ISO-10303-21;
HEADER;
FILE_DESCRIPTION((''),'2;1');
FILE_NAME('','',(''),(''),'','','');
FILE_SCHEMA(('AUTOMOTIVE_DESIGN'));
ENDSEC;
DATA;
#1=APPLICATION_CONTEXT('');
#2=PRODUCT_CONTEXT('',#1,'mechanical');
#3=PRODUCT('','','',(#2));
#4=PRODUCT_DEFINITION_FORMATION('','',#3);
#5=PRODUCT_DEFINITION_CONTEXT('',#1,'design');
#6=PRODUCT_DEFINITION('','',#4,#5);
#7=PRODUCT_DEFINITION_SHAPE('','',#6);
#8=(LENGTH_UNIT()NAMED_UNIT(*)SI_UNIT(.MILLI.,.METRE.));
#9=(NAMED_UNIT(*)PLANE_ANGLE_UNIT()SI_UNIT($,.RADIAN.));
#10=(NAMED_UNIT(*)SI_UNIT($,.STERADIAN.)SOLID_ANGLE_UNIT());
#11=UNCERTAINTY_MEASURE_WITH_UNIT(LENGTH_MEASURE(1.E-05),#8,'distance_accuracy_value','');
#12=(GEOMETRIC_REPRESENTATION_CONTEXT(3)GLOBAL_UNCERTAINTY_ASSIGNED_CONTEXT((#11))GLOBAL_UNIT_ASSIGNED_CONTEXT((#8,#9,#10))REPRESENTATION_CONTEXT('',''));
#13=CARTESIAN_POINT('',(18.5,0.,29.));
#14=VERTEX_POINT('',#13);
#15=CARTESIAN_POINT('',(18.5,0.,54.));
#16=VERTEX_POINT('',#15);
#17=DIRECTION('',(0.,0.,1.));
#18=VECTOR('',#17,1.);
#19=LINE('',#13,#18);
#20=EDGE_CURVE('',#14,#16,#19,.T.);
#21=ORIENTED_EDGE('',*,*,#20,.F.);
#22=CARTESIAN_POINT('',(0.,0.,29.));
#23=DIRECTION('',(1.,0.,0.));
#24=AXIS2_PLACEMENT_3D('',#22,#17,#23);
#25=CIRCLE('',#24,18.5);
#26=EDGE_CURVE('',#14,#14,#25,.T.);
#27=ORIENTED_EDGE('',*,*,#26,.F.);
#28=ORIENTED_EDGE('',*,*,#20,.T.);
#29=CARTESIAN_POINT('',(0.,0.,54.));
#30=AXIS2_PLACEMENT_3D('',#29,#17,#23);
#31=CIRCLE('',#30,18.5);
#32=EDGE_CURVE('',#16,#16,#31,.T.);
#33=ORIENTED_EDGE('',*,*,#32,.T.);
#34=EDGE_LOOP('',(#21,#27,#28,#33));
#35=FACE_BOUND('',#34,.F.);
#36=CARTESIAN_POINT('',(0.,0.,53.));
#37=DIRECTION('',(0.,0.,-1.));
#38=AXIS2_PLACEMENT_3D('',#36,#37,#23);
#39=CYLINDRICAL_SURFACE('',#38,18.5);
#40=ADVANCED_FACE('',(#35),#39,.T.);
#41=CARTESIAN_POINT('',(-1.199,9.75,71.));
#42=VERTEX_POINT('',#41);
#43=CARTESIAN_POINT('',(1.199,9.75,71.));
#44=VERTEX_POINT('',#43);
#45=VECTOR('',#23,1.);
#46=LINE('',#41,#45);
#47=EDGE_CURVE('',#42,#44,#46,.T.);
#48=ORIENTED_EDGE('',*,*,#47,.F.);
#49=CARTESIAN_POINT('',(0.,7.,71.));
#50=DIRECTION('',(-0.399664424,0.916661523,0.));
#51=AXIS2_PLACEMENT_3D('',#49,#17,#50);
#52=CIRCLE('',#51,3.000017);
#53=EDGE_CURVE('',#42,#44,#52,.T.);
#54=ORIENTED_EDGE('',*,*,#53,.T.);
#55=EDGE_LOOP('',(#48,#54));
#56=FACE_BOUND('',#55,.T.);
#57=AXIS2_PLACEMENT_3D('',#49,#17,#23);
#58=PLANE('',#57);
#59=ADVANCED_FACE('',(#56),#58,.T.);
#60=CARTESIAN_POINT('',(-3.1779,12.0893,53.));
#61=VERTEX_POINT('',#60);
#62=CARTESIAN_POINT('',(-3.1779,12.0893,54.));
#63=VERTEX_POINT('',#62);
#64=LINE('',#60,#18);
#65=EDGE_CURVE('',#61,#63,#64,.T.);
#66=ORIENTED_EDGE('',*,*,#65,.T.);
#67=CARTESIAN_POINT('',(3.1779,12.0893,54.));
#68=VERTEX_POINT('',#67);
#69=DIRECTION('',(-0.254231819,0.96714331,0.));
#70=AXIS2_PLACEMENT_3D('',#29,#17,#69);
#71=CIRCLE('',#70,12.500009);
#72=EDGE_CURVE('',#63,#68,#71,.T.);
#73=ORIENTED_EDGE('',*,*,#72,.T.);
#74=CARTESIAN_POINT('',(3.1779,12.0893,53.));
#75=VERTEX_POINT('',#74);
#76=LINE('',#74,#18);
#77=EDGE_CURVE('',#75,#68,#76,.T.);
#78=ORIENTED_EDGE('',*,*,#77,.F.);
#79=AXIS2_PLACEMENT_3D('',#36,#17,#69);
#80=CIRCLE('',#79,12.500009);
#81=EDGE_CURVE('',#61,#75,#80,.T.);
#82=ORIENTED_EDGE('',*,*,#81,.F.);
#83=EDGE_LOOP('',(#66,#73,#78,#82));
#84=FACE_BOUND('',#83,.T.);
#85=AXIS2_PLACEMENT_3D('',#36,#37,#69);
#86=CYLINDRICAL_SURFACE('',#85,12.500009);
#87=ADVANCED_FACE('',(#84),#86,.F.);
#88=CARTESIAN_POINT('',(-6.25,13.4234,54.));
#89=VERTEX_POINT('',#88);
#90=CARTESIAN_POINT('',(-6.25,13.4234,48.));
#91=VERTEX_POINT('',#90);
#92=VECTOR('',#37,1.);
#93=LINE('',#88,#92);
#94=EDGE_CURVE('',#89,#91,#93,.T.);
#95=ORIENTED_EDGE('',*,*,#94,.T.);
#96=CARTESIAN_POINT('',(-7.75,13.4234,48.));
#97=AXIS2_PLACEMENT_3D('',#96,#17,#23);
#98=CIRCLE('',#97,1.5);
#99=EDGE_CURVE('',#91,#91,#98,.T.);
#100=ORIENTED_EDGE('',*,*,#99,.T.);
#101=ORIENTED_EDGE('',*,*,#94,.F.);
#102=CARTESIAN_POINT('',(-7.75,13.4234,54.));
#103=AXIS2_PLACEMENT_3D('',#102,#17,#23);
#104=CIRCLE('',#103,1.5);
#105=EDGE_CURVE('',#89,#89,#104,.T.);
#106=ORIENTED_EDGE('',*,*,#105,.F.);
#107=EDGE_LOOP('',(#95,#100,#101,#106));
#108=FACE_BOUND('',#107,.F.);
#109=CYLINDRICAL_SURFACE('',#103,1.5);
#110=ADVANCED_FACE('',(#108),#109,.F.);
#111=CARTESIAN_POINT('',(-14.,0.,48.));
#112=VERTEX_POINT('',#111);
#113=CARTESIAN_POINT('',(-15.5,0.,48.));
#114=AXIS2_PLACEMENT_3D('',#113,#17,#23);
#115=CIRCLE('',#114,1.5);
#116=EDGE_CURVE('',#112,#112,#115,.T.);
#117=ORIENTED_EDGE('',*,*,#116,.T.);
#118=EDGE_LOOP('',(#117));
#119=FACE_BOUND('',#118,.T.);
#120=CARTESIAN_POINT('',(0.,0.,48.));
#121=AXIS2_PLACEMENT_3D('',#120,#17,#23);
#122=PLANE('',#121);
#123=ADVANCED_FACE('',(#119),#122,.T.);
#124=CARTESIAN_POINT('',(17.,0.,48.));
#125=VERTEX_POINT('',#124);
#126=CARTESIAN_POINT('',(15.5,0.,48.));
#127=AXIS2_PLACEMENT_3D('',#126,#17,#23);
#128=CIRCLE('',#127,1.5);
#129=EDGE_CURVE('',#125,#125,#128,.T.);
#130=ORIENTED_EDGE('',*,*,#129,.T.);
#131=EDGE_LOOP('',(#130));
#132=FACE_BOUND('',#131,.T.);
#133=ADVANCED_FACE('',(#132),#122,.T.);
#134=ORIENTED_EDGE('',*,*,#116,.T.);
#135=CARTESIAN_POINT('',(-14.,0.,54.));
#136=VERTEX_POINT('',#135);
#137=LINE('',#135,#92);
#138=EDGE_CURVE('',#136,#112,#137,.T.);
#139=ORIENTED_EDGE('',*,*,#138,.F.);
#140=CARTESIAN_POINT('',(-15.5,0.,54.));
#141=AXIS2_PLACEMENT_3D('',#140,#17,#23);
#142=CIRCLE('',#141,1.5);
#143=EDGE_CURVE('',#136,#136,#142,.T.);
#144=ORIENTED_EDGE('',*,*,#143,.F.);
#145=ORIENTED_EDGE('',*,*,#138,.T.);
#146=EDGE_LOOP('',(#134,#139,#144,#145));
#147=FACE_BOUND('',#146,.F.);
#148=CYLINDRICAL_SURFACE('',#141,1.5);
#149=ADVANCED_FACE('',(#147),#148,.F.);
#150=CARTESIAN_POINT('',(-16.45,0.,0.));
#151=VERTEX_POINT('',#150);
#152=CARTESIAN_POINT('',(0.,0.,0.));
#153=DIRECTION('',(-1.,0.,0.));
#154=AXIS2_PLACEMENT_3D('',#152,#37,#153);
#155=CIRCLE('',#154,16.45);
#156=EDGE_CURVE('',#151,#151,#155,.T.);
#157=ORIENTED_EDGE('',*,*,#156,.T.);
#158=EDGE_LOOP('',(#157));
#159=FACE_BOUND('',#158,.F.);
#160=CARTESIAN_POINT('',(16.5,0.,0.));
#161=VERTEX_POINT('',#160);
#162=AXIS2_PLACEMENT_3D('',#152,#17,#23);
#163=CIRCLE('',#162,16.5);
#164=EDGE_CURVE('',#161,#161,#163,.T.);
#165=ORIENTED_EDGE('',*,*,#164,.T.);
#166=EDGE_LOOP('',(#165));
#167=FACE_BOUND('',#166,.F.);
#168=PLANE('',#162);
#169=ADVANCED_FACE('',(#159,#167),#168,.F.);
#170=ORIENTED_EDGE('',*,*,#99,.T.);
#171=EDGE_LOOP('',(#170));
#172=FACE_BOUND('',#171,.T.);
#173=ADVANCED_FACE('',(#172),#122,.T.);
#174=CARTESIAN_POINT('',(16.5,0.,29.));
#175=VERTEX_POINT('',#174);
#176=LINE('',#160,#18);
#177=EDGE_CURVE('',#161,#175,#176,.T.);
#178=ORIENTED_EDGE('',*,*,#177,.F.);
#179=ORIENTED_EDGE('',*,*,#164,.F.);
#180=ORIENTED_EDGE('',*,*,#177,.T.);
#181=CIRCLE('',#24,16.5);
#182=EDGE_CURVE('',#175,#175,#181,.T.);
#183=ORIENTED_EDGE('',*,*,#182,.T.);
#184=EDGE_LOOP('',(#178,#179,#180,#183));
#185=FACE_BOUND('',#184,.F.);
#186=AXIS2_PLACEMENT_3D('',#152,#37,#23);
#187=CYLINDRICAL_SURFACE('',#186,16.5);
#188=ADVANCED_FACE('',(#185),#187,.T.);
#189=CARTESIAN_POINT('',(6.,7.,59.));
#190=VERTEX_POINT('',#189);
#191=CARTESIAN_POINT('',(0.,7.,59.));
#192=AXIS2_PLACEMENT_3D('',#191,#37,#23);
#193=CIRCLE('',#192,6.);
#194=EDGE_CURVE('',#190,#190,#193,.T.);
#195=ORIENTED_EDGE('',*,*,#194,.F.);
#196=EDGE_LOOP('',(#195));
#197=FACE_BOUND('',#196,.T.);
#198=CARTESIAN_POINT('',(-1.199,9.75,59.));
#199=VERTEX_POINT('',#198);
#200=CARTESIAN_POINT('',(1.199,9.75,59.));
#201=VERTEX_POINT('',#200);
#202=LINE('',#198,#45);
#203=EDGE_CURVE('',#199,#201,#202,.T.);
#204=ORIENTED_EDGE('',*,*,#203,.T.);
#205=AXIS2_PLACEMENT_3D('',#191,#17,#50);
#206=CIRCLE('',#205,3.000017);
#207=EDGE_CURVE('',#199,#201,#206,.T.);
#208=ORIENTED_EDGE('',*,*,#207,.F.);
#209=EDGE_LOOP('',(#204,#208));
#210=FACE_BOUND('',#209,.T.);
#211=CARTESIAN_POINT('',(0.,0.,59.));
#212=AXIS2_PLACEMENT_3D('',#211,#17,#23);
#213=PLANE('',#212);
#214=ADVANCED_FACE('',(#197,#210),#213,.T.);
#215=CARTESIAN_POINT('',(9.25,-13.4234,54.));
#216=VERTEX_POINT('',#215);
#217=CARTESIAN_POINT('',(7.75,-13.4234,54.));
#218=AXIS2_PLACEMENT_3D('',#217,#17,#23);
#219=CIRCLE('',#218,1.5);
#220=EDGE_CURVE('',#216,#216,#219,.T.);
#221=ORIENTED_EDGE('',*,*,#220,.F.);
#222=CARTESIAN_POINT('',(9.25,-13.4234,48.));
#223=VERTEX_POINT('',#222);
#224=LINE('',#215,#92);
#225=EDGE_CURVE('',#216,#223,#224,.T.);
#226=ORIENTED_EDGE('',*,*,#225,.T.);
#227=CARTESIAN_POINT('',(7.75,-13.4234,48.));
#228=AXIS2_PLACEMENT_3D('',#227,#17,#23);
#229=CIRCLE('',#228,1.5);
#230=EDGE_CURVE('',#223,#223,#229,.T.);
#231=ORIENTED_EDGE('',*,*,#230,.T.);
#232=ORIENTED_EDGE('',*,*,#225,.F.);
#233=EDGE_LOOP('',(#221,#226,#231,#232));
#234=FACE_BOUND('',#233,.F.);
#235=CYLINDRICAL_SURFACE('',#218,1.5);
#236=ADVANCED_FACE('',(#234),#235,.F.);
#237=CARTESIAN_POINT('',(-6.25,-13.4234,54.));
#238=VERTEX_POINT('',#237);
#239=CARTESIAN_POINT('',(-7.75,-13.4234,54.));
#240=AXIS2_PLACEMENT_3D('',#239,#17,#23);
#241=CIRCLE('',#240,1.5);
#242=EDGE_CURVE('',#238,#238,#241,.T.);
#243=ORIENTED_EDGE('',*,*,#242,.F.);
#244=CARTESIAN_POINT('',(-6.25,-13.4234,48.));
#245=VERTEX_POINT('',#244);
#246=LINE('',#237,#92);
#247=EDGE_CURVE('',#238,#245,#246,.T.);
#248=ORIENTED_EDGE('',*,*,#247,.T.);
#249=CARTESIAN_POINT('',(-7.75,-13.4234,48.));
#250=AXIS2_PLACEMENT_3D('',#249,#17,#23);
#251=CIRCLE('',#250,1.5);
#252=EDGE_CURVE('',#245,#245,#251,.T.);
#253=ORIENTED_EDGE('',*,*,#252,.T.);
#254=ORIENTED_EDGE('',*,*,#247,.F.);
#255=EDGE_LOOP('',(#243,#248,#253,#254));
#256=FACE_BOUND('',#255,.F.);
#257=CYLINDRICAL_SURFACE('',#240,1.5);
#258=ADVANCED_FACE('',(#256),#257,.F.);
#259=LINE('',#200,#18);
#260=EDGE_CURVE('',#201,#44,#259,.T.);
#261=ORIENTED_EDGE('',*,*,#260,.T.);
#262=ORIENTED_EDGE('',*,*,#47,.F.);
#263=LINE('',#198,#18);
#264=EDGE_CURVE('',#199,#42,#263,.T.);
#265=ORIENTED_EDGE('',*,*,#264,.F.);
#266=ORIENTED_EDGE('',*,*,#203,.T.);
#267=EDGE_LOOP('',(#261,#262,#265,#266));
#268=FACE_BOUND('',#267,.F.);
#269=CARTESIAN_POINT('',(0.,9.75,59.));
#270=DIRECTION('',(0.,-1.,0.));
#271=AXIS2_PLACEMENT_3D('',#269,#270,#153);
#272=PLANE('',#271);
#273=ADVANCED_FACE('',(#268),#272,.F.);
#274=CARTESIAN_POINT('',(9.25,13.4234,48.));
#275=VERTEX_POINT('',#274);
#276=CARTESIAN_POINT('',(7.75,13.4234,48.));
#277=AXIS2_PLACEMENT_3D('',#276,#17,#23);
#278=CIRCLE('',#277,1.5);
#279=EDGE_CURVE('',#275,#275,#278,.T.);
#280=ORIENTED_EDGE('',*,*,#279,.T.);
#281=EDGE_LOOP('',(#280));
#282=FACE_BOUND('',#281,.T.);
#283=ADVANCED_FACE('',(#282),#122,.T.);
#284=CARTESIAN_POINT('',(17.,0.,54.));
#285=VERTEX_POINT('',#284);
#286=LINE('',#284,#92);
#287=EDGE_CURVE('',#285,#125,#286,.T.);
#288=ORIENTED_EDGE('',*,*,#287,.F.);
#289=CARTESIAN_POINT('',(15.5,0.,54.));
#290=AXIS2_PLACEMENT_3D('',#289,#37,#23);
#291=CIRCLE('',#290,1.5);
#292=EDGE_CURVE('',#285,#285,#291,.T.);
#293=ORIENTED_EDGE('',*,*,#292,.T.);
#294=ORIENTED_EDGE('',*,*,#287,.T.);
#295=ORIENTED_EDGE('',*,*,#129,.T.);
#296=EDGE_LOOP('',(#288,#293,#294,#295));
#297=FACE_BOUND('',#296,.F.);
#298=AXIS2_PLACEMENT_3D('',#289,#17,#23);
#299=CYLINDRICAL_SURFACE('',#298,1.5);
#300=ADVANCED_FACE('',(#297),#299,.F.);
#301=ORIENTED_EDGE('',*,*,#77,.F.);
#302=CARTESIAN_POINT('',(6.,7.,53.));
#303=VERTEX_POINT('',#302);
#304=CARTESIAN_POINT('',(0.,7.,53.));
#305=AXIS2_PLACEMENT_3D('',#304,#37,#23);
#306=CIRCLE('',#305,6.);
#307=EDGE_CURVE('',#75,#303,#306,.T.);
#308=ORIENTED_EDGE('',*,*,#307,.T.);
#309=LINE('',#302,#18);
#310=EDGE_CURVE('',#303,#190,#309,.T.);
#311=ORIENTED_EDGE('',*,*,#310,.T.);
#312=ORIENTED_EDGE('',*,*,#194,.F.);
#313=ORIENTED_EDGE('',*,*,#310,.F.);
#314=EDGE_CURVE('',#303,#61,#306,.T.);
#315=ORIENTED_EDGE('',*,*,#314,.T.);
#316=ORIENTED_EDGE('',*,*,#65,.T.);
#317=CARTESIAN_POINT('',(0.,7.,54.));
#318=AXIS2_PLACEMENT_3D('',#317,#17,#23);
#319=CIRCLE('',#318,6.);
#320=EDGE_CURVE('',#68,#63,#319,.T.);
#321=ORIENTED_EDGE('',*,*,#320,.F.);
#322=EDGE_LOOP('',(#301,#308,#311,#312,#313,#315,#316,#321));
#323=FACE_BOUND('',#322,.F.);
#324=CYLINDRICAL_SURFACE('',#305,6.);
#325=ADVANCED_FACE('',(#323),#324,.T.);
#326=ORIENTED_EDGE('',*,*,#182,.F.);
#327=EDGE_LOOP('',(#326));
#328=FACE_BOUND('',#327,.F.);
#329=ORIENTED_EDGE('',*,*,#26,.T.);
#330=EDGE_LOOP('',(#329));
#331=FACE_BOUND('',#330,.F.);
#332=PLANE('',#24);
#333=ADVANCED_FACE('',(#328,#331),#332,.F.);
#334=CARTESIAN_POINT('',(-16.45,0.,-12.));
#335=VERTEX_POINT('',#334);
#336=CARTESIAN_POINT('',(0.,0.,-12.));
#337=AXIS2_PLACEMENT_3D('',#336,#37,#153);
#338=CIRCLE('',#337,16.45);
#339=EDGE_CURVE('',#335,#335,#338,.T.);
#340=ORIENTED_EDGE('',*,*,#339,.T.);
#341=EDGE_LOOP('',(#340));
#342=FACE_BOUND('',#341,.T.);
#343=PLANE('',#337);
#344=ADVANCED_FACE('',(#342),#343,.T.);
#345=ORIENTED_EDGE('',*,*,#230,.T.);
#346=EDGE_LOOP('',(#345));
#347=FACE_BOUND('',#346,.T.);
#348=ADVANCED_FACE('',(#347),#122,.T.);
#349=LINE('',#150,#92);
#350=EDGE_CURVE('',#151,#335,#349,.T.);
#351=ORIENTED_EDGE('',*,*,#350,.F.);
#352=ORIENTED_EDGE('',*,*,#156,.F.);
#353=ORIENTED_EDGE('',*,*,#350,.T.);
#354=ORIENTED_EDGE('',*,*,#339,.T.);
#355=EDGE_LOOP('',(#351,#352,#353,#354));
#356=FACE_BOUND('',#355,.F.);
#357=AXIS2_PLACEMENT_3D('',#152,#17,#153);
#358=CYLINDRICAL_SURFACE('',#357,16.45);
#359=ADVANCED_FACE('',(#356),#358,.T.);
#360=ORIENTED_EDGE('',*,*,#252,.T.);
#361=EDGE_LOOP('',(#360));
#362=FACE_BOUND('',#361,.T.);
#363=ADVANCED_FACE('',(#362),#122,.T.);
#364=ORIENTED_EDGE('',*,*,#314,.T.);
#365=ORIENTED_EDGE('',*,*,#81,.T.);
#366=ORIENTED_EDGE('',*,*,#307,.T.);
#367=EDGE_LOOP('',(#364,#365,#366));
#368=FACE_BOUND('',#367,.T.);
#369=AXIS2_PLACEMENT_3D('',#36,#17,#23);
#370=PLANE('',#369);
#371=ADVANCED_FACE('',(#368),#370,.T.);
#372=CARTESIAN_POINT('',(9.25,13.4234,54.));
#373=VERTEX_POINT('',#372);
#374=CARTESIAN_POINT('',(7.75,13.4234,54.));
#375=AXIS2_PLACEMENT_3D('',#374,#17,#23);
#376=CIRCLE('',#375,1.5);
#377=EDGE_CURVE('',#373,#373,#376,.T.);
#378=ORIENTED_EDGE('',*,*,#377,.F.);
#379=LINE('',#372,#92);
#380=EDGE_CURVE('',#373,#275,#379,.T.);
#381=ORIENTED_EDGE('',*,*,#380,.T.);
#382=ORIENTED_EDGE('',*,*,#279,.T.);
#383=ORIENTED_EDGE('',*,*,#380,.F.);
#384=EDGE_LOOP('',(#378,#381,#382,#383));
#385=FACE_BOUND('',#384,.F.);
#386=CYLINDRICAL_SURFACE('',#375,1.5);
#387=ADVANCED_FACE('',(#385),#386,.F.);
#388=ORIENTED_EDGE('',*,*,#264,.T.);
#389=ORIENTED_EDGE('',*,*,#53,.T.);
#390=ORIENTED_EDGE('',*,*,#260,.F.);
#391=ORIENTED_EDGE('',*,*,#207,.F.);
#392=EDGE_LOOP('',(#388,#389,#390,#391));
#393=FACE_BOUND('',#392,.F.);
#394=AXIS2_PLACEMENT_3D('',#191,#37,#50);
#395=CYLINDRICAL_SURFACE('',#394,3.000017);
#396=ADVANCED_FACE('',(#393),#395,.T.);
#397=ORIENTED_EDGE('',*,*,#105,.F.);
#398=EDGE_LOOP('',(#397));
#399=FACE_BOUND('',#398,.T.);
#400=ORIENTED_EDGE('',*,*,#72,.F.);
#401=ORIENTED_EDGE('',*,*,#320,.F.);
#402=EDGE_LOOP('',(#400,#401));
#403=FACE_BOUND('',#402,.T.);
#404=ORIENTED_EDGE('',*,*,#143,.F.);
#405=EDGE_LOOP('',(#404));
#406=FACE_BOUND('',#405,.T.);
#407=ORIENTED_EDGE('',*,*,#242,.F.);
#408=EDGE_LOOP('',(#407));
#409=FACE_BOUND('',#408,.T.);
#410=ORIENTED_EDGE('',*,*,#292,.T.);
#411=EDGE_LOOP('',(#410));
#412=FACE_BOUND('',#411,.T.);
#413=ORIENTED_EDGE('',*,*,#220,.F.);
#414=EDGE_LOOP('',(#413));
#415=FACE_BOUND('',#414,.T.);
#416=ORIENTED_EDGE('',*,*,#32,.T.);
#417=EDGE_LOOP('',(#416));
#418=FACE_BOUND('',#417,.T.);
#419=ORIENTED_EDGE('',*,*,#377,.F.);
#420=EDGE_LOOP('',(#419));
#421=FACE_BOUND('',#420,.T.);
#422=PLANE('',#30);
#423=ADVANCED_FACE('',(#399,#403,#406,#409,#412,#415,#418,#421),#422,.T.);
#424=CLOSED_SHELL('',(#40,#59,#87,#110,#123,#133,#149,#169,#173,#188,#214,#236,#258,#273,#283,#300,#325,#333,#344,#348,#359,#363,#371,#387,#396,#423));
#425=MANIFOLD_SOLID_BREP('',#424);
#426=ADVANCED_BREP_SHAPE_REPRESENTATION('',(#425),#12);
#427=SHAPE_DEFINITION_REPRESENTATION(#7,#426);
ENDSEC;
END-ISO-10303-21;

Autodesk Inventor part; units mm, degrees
ref_plane "YZ Plane" through (0, 0, 0) normal (1, 0, 0) x (0, 1, 0)
ref_plane "XZ Plane" through (0, 0, 0) normal (0, 1, 0) x (-1, 0, 0)
ref_plane "XY Plane" through (0, 0, 0) normal (0, 0, 1) x (1, 0, 0)
sketch "Sketch1" plane through (0, 0, 0) normal (0, 0, 1) x (1, 0, 0)
  circle A0 centre (0, 0) radius 16.5
  dimension "d0" = 33
extrude "Extrusion1" add sketch "Sketch1" along normal blind 29
sketch "Sketch2" plane through (0, 0, 29) normal (0, 0, 1) x (1, 0, 0)
  circle A0 centre (0, 0) radius 18.5
  dimension "d3" = 37
extrude "Extrusion2" add sketch "Sketch2" along normal blind 24
sketch "Sketch3" plane through (0, 0, 53) normal (0, 0, 1) x (1, 0, 0)
  line L0 (0, 0) -> (0, 7)
  circle A0 centre (0, 7) radius 6
  dimension "d6" = 7
  dimension "d7" = 12
extrude "Extrusion3" add sketch "Sketch3" along normal blind 6
sketch "Sketch4" plane through (0, 7, 59) normal (0, 0, 1) x (1, 0, 0)
  circle A0 centre (0, 0) radius 6 projected
  arc A1 (-1.199, 2.75) -> (1.199, 2.75) centre (0, 0) ccw
  line L0 (0, 0) -> (0, 2.75)
  line L1 (0, 2.75) -> (1.199, 2.75)
  line L2 (0, 2.75) -> (-1.199, 2.75)
  point P0 (0, -7)
  dimension "d10" = 6
  dimension "d11" = 2.75
extrude "Extrusion4" add sketch "Sketch4" along normal blind 12 contours L2 L1 A1
sketch "Sketch5" plane through (0, 0, 0) normal (0, 0, -1) x (-1, 0, 0)
  circle A0 centre (0, 0) radius 16.45
  dimension "d16" = 32.9
extrude "Extrusion5" add sketch "Sketch5" along normal blind 12
sketch "Sketch6" plane through (0, 0, 53) normal (0, 0, 1) x (1, 0, 0)
  circle A0 centre (0, 0) radius 18.5
  arc A1 (-3.1779, 12.0893) -> (3.1779, 12.0893) centre (0, 0) ccw
  circle A2 centre (0, 7) radius 6 projected
  dimension "d17" = 25
extrude "Extrusion6" add sketch "Sketch6" along normal blind 1
sketch "Sketch8" plane through (0, 0, 54) normal (0, 0, 1) x (1, 0, 0)
  circle A0 centre (0, 0) radius 18.5 projected
  arc A1 (-3.1779, 12.0893) -> (3.1779, 12.0893) centre (0, 0) ccw projected
  line L0 (12.5, 0) -> (18.5, 0)
  circle A2 centre (15.5, 0) radius 1.5
  circle A3 centre (7.75, 13.4234) radius 1.5
  circle A4 centre (-7.75, 13.4234) radius 1.5
  circle A5 centre (-15.5, 0) radius 1.5
  circle A6 centre (-7.75, -13.4234) radius 1.5
  circle A7 centre (7.75, -13.4234) radius 1.5
  arc A8 (-1.199, 9.75) -> (1.199, 9.75) centre (0, 7) ccw projected
  line L1 (-1.199, 9.75) -> (1.199, 9.75) projected
  circle A9 centre (0, 7) radius 6 projected
  circle A10 centre (0, 7) radius 6 projected
  line L2 (1.199, 9.75) -> (-1.199, 9.75) projected
  arc A11 (-1.199, 9.75) -> (1.199, 9.75) centre (0, 7) ccw projected
  dimension "d44" = 3
  dimension "d47" = 360
extrude "Extrusion7" cut sketch "Sketch8" against normal blind 6 contours A2 L0 | L0 A2 | A3 | A4 | A5 | A6 | A7
thread "Thread7" size "5-40 UNC" class "2B" standard "ANSI Unified Screw Threads" full length
thread "Thread8" size "5-40 UNC" class "2B" standard "ANSI Unified Screw Threads" full length
thread "Thread9" size "5-40 UNC" class "2B" standard "ANSI Unified Screw Threads" full length
thread "Thread10" size "5-40 UNC" class "2B" standard "ANSI Unified Screw Threads" full length
thread "Thread11" size "5-40 UNC" class "2B" standard "ANSI Unified Screw Threads" full length
thread "Thread12" size "5-40 UNC" class "2B" standard "ANSI Unified Screw Threads" full length
sketch "Sketch9" plane through (0, 7, 71) normal (0, 0, 1) x (1, 0, 0)
  line L0 (1.199, 2.75) -> (-1.199, 2.75) projected
  arc A0 (-1.199, 2.75) -> (1.199, 2.75) centre (0, 0) ccw projected
  circle A1 centre (0, -7) radius 18.5 projected
  circle A2 centre (-7.75, -20.4234) radius 1.5 projected
  line L1 (0, 0) -> (-7.75, -20.4234)
  circle A3 centre (0, -7) radius 16.5 projected
  circle A4 centre (7.75, -20.4234) radius 1.5 projected
  circle A5 centre (-7.75, 6.4234) radius 1.5 projected
  line L2 (7.75, -20.4234) -> (-7.75, 6.4234)
  line L3 (0, -7) -> (-10.8253, -13.25)
  arc A6 (-3.1779, 5.0893) -> (3.1779, 5.0893) centre (0, -7) ccw projected
  line L4 (-16.8637, 0.607) -> (0, -7)
  line L5 (0, -7) -> (-16.8637, 0.607)
  line L6 (-16.8637, 0.607) -> (-26.1272, -19.9291)
  line L7 (-7.75, -20.4234) -> (-23.3448, -13.7609)
  line L8 (0, 0) -> (4.1821, 11.0211)
  line L9 (0, 0) -> (-13.8561, 5.2579)
  line L10 (-13.8561, 5.2579) -> (18.5, -7.0201)
  circle A7 centre (0, -7) radius 18.5 projected
  line L11 (0, 0) -> (18.5, -7.0201)
sketch "Sketch10" plane through (0, 0, -12) normal (0, 0, -1) x (-1, 0, 0)
  circle A0 centre (0, 0) radius 16.5 projected
  line L0 (0, 16.5) -> (0, -16.5)
  line L1 (-16.5, 0) -> (16.5, 0)
ref_plane "Work Plane1" through (16.5, 0, -12) normal (0, -1, 0) x (-1, 0, 0)
ref_plane "Work Plane2" through (0, 16.5, -12) normal (1, 0, 0) x (0, -1, 0)
properties part number "251RPM-Motor"
